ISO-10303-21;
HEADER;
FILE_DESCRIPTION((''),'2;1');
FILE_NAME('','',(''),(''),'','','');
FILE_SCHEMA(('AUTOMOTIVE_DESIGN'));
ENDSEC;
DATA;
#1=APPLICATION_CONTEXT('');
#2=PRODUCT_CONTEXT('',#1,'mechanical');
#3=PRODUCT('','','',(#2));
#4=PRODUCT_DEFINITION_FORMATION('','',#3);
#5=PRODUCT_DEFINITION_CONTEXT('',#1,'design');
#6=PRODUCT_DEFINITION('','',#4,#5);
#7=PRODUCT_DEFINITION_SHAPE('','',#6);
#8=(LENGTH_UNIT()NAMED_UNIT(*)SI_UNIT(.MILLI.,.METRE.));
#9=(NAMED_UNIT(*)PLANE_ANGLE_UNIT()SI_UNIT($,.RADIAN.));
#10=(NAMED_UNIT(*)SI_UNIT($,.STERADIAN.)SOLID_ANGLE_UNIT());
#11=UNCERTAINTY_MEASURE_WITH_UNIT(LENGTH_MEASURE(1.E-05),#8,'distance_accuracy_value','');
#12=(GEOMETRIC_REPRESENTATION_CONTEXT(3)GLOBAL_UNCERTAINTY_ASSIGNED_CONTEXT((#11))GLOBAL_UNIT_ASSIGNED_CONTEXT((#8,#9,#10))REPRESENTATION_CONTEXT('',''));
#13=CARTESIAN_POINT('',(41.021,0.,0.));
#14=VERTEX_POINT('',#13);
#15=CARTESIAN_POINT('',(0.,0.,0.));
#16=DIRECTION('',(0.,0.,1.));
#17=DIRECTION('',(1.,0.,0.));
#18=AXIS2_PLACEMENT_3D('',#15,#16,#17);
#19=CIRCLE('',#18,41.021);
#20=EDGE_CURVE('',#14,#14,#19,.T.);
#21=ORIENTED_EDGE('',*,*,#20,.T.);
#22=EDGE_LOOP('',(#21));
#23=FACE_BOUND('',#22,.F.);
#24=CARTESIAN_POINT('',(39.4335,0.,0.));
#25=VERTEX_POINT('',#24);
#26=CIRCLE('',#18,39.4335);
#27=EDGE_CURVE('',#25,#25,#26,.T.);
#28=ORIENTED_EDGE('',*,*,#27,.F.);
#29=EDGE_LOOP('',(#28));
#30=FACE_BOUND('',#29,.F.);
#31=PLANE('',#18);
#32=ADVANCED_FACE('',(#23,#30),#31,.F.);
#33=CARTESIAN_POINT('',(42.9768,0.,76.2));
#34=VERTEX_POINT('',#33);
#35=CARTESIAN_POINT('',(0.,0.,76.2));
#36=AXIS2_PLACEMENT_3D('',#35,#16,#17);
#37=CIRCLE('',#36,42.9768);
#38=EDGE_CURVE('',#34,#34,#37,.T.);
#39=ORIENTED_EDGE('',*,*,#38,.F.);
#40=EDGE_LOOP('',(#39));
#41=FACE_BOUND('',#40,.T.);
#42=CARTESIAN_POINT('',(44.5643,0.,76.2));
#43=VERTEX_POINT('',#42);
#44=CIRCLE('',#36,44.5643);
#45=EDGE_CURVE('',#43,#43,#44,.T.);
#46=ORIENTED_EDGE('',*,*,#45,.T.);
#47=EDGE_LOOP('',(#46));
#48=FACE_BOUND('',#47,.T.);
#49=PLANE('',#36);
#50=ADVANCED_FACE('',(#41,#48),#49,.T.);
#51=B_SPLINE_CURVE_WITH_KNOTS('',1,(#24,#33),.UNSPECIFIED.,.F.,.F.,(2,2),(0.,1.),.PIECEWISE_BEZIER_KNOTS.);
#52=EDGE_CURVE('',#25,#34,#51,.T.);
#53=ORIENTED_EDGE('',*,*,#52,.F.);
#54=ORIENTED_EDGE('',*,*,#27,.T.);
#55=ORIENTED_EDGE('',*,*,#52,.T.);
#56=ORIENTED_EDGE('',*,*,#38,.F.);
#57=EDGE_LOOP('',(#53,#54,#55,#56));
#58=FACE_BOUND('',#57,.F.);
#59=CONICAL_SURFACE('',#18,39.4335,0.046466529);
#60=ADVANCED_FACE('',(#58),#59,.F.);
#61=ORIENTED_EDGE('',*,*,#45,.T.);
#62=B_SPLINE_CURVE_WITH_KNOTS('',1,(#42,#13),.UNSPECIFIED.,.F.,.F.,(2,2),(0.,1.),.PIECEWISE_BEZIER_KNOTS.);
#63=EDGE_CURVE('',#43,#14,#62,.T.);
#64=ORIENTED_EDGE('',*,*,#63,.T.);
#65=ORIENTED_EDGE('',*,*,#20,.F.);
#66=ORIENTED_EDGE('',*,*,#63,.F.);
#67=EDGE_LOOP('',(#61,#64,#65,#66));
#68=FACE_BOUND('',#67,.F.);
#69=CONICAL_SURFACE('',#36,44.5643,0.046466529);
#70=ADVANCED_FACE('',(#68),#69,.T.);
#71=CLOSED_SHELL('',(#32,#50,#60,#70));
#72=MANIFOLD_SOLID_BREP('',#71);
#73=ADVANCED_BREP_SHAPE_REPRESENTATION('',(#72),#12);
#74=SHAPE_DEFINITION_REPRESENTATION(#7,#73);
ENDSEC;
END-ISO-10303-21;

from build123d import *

# Parameters (mm, degrees)
F4_R = 44.5643
F3_R = 41.021
F0_R = 39.4335
F2_R = 42.9768


with BuildPart() as f5:
    # F4 (on offset) → F5 section 0
    with BuildSketch(Plane.XY.offset(76.2)):
        Circle(F4_R)
    # F3 (on Top) → F5 section 1
    with BuildSketch(Plane.XY):
        Circle(F3_R)
    loft()

    # F0 (on Top) → F6 section 0
    with BuildSketch(Plane.XY):
        Circle(F0_R)
    # F2 (on offset) → F6 section 1
    with BuildSketch(Plane.XY.offset(76.2)):
        Circle(F2_R)
    loft(mode=Mode.SUBTRACT)


solid = f5.part
